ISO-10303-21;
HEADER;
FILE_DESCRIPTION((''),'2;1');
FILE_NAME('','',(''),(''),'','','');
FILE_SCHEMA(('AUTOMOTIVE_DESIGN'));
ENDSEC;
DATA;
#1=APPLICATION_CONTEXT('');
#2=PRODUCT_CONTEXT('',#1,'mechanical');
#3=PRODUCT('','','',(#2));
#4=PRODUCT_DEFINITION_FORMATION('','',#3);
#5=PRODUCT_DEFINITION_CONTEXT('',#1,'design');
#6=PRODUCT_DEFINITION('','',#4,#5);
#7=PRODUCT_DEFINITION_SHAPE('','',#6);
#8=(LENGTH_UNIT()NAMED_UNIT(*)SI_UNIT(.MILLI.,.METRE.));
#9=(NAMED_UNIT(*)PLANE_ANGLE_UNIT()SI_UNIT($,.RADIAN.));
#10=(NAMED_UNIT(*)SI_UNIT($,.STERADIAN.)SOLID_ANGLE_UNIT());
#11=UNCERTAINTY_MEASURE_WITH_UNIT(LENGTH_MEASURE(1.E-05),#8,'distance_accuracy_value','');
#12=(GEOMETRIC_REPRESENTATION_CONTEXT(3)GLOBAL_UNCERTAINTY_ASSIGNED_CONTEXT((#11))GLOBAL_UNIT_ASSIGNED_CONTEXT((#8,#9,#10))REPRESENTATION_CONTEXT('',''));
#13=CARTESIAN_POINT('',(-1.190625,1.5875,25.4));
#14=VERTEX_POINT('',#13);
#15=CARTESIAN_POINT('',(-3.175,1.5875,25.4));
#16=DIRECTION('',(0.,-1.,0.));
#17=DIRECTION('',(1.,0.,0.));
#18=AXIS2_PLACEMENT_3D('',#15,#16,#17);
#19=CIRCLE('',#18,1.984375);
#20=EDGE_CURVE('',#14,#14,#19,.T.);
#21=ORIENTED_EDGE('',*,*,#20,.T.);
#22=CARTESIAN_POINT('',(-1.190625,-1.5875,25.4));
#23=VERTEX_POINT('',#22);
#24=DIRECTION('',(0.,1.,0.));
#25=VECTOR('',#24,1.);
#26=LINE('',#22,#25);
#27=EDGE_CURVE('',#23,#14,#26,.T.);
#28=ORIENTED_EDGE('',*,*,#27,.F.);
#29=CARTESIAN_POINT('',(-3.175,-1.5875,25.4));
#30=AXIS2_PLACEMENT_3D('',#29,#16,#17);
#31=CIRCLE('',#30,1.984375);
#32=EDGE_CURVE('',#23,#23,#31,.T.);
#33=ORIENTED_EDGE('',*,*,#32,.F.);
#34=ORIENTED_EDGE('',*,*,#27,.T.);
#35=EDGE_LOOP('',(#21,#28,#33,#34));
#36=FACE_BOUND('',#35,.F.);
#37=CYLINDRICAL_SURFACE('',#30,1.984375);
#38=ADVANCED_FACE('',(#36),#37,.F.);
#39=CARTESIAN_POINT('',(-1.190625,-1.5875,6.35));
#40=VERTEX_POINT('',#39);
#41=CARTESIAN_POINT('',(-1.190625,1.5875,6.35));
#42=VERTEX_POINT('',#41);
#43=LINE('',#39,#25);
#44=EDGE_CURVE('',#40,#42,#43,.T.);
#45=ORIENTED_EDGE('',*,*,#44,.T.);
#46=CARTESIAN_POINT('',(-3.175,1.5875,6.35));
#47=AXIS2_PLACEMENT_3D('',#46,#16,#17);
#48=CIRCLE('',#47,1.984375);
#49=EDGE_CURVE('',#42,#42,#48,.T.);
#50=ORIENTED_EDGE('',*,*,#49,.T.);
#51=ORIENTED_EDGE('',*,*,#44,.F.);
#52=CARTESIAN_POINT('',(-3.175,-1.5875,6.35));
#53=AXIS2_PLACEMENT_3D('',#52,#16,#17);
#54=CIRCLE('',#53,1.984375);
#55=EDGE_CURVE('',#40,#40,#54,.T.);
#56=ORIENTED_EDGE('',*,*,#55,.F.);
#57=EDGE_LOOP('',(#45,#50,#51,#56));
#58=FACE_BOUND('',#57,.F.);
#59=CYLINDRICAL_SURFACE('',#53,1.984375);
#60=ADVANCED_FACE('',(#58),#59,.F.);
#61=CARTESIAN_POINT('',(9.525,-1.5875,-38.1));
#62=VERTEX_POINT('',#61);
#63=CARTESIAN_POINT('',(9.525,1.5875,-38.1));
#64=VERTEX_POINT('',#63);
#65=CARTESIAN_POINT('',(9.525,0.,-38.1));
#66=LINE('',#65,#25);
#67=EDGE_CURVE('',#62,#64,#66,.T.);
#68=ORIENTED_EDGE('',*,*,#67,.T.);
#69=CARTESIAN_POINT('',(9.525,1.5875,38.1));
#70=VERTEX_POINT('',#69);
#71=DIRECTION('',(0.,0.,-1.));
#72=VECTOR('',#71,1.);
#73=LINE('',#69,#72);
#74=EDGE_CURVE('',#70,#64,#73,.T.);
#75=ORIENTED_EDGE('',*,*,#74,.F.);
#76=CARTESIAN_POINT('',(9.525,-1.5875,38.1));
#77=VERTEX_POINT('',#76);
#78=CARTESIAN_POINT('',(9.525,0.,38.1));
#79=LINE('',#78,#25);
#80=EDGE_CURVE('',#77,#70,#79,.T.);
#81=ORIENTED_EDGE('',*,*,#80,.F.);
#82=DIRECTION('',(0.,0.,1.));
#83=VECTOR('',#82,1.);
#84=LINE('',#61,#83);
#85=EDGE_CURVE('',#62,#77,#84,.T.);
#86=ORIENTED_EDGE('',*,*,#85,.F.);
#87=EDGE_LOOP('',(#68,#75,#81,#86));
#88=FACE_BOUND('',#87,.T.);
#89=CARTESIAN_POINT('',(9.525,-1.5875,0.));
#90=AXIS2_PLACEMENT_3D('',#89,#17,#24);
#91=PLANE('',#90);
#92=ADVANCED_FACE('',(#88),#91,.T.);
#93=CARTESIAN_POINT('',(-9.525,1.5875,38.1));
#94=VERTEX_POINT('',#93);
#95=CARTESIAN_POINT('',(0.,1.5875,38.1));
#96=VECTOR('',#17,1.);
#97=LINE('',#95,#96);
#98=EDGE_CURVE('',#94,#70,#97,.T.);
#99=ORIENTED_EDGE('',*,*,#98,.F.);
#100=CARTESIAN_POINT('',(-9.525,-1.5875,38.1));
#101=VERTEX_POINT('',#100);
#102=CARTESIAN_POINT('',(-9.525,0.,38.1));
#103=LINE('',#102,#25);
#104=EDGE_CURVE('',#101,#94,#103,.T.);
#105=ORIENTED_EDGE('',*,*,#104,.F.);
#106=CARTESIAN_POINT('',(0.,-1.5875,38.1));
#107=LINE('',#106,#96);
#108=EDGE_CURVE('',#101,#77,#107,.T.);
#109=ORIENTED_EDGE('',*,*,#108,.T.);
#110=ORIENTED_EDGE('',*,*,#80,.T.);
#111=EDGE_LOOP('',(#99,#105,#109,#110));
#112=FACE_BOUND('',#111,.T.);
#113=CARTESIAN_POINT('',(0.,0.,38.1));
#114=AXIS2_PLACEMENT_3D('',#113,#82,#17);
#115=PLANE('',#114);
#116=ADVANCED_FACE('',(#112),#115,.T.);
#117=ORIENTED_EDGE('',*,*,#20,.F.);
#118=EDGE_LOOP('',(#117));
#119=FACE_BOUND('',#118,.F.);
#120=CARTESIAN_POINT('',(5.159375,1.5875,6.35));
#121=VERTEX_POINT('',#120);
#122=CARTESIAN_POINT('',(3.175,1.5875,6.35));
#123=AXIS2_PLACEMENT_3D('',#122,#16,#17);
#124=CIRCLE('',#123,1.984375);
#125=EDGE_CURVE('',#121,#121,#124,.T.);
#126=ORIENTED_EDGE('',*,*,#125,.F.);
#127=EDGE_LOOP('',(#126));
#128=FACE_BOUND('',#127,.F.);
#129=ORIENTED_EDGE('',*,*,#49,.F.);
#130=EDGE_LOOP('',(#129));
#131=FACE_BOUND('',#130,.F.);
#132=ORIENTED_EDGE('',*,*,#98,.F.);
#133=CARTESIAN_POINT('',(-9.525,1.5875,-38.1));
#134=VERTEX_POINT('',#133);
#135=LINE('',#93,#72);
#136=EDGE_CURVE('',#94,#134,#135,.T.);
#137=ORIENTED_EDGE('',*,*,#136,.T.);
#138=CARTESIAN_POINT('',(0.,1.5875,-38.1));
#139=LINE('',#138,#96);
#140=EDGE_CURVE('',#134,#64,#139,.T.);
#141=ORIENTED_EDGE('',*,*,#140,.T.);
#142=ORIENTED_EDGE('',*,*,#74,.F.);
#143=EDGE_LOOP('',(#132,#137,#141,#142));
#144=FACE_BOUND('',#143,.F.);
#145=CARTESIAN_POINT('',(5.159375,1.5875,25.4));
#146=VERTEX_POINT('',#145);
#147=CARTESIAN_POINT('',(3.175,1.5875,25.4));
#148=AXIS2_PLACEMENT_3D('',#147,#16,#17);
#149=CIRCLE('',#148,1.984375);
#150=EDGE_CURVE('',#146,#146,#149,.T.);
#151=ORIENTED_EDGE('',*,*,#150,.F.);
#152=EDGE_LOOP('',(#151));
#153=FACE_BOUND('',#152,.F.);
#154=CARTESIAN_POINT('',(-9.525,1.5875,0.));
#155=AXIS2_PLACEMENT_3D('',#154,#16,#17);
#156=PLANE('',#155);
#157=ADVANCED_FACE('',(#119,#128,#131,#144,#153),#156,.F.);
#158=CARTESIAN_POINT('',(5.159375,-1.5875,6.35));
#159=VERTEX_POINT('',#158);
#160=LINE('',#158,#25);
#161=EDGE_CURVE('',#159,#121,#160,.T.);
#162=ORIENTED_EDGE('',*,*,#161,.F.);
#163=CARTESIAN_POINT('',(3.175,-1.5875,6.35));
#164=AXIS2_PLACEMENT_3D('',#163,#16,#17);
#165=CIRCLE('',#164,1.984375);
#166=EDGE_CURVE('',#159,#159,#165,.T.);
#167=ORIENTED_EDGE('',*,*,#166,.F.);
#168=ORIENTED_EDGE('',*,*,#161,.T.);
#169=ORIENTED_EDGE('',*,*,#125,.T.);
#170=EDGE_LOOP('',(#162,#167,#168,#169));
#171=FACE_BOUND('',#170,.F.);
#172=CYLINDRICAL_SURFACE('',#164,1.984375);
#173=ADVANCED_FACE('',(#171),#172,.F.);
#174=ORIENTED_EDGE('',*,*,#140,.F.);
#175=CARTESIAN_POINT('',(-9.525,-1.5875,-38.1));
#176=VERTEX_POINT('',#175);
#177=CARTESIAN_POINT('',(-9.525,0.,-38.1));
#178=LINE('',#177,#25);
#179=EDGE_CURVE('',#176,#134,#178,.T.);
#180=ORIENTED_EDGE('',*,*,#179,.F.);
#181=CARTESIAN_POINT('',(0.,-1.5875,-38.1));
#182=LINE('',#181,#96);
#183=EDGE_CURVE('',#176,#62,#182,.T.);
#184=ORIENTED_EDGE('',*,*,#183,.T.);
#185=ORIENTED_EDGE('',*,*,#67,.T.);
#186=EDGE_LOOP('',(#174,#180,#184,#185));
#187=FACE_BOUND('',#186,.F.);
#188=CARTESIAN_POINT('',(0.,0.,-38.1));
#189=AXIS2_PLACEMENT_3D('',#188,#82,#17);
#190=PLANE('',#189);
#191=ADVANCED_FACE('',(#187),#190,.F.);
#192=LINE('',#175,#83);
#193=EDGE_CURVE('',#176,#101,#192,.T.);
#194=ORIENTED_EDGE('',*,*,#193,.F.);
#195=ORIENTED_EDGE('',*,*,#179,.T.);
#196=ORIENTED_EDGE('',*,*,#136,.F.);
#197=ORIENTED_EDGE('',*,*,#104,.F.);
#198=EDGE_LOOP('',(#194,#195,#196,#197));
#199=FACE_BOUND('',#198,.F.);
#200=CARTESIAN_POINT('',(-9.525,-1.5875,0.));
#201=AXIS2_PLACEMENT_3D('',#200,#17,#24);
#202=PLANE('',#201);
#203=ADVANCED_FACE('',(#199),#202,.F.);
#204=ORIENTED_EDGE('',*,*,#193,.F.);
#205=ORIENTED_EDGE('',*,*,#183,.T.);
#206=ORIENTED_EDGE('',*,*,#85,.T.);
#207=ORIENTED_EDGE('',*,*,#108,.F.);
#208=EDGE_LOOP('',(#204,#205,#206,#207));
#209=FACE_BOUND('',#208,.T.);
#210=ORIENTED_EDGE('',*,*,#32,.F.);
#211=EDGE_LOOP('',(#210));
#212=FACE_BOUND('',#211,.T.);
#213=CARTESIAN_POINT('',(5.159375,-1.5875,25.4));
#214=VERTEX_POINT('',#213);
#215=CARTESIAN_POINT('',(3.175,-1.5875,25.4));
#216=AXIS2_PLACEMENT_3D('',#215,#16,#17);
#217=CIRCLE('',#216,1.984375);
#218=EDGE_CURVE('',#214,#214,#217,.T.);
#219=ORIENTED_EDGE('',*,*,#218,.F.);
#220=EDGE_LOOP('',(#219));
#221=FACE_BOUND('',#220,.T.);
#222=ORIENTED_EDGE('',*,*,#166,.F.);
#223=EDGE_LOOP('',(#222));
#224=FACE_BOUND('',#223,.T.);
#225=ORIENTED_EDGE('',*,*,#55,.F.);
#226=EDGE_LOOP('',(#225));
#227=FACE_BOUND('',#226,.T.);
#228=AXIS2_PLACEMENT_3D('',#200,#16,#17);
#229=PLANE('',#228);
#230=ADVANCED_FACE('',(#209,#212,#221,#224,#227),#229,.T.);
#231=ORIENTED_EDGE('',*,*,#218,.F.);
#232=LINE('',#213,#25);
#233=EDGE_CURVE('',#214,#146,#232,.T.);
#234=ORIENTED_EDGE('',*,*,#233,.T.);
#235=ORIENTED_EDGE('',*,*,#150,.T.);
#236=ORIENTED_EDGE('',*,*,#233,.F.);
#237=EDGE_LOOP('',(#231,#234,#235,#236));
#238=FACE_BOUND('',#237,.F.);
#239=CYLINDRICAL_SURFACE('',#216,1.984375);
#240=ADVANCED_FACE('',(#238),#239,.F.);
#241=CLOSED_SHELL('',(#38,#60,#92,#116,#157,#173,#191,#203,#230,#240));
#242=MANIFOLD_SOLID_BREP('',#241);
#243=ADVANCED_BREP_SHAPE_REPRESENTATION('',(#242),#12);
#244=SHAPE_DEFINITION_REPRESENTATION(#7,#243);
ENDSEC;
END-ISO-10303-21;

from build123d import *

# Parameters (mm, degrees)
F0_W     = 19.05
F0_H     = 3.175
F1_DEPTH = 38.1
F2_R     = 1.984375
F3_DEPTH = 3.175


with BuildPart() as f1:
    # F0 (on Top) → F1 (new body, symmetric)
    with BuildSketch(Plane.XY):
        Rectangle(F0_W, F0_H)
    extrude(amount=F1_DEPTH, both=True)

    # F2 (on face) → F3 (cut, through all)
    with BuildSketch(Plane.XZ.offset(1.5875)):
        with Locations((3.175, 25.4)):
            Circle(F2_R)
        with Locations((-3.175, 25.4)):
            Circle(F2_R)
        with Locations((3.175, 6.35)):
            Circle(F2_R)
        with Locations((-3.175, 6.35)):
            Circle(F2_R)
    extrude(amount=-F3_DEPTH, mode=Mode.SUBTRACT)


solid = f1.part
